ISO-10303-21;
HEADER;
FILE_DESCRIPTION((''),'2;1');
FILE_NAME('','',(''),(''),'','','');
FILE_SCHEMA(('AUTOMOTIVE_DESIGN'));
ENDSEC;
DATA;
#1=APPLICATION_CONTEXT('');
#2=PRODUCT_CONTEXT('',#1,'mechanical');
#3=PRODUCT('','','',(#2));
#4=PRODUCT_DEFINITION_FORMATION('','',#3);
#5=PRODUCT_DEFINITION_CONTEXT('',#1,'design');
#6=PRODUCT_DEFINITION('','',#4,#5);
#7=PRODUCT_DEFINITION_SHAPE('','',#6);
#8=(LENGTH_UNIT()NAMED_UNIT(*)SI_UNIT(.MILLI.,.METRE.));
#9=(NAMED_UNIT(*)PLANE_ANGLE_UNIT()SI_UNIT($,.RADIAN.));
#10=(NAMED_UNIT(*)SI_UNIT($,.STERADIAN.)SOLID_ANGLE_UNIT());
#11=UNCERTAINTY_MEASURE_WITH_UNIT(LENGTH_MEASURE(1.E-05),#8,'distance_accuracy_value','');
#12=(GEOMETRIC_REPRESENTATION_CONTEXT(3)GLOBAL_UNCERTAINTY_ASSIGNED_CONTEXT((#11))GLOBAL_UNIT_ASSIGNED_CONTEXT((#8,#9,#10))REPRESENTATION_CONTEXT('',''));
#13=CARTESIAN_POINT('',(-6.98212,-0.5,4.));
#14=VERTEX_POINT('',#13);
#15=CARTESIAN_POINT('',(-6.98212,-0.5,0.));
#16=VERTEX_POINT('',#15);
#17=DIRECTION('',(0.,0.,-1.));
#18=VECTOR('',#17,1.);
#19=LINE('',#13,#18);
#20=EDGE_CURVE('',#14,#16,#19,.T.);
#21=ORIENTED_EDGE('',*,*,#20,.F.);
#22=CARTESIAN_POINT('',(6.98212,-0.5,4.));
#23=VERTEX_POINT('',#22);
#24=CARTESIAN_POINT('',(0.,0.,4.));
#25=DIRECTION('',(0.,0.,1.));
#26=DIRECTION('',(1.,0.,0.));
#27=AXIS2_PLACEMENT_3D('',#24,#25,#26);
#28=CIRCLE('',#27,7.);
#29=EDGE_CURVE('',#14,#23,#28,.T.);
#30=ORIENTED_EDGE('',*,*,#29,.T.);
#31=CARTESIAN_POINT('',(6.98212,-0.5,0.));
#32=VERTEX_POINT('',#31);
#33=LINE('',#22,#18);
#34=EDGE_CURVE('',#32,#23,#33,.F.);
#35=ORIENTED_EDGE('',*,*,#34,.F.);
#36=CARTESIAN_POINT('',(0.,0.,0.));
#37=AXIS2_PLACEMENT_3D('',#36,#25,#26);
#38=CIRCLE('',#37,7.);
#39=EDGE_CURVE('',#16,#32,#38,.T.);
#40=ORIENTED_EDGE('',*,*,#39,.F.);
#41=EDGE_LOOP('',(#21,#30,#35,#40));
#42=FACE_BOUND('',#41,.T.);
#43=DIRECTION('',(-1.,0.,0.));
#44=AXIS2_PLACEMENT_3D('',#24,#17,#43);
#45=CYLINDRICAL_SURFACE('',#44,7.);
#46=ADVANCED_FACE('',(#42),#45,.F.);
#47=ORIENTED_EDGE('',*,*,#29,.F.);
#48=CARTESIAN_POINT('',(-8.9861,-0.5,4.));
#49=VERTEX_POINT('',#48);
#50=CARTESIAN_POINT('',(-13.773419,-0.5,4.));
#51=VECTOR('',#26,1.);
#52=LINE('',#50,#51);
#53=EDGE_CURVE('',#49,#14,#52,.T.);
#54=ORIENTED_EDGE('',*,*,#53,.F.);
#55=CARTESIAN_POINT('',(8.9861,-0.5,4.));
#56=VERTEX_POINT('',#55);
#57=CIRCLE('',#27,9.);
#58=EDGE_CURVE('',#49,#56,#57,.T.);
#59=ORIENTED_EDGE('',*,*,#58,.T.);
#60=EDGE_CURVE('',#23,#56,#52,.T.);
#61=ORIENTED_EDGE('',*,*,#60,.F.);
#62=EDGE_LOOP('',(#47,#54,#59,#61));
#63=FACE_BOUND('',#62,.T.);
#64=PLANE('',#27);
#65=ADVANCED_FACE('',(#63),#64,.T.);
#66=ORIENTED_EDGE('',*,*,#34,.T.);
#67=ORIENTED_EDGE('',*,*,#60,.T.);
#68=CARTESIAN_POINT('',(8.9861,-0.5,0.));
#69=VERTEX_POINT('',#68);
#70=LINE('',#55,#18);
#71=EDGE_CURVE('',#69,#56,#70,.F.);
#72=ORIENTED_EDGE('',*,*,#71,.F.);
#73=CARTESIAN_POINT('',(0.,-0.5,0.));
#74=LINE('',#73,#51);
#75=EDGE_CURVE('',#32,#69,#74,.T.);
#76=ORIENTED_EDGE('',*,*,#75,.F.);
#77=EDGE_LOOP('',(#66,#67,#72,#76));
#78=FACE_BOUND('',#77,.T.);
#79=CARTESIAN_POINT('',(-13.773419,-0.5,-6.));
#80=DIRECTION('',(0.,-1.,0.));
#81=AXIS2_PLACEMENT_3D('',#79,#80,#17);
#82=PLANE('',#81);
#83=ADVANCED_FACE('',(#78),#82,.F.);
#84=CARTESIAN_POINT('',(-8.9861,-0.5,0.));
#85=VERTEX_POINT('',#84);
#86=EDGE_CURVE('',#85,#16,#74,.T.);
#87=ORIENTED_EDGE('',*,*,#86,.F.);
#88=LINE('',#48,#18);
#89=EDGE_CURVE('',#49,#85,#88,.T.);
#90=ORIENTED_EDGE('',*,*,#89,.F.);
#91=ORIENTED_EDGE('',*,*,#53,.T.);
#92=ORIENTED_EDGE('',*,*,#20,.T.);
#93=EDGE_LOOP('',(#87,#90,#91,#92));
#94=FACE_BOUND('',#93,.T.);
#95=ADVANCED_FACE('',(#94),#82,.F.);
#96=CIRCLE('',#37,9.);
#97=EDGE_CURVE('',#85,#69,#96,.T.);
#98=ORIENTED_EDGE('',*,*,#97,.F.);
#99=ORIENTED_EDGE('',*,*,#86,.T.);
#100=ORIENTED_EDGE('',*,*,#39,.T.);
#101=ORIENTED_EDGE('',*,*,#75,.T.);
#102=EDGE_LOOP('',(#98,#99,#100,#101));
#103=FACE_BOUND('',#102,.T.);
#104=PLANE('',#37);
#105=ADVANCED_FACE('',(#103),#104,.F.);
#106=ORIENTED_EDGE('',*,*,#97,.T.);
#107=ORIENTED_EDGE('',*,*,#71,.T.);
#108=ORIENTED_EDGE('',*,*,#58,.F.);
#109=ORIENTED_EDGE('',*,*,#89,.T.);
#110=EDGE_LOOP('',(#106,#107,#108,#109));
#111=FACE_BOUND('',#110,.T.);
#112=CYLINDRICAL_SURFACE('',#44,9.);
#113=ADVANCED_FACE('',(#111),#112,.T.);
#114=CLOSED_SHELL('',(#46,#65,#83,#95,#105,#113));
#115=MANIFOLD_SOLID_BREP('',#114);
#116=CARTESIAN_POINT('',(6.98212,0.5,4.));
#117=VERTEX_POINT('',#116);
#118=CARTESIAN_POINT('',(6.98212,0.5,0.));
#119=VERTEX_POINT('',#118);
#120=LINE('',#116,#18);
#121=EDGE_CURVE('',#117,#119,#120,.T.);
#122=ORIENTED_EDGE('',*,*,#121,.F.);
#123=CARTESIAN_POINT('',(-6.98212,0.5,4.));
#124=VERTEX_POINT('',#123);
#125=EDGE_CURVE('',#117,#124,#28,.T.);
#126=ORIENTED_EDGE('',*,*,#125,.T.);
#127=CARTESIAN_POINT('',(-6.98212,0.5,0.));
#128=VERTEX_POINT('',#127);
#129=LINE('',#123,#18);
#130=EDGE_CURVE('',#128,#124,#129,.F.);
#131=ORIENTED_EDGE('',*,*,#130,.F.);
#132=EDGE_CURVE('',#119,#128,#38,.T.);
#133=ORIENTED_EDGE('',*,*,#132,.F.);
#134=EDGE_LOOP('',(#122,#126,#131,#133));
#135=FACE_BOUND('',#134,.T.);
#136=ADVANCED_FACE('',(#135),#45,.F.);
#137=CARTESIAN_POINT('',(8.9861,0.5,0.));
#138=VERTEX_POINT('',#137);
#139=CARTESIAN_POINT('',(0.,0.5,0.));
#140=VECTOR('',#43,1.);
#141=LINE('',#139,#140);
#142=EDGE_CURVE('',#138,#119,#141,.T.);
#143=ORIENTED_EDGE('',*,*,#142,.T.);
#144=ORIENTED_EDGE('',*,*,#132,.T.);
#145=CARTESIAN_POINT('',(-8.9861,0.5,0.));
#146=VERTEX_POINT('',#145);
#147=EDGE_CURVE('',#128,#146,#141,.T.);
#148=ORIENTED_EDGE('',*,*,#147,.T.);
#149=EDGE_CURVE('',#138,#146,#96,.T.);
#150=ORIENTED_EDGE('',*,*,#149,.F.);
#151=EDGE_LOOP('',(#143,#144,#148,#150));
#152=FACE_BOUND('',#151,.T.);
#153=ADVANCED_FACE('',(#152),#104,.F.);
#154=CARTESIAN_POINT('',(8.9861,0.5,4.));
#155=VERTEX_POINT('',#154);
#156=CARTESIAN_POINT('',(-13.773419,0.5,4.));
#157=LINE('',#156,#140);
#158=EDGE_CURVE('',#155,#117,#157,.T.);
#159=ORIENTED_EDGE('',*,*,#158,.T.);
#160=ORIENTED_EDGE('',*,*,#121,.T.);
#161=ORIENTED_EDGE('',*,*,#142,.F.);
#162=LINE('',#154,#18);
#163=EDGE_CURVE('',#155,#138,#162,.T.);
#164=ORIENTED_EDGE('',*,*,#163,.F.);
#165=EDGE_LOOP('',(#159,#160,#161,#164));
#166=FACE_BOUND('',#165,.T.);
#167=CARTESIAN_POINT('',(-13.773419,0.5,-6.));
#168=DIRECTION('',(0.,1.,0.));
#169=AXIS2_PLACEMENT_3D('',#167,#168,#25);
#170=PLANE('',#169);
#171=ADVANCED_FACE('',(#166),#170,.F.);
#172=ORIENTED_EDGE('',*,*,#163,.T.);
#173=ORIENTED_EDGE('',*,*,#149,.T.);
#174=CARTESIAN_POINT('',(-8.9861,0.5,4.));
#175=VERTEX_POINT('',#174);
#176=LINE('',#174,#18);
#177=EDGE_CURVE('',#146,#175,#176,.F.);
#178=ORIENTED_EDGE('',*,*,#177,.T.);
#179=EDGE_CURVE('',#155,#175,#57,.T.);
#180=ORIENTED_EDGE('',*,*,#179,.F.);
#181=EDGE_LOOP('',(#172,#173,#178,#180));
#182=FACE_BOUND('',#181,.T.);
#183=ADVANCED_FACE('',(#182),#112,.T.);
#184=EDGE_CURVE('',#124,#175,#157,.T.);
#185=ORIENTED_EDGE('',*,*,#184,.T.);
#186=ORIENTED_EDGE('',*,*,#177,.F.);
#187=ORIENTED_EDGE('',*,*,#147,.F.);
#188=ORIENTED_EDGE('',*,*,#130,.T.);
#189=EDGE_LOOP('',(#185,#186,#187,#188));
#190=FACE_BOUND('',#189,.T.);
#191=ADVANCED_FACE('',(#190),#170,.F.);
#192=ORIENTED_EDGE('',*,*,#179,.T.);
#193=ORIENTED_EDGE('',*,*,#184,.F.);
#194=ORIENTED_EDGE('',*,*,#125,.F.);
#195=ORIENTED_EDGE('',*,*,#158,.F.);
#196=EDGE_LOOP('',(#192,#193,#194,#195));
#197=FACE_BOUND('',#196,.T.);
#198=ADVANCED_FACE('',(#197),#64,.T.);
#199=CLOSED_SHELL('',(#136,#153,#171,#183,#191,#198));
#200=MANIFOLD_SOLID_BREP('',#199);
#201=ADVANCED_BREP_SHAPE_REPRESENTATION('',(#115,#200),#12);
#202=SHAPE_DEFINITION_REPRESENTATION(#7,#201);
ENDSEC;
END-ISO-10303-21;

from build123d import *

# Parameters (mm, degrees)
SKIZZE1_R                       = 9
SKIZZE1_R_2                     = 7
AUFSATZ_LINEAR_AUSTRAGEN1_DEPTH = 4
SKIZZE2_W                       = 27.54683789
SKIZZE2_H                       = 1
SCHNITT_LINEAR_AUSTRAGEN1_DEPTH = 10


with BuildPart() as part:
    # Skizze1 → Aufsatz-Linear austragen1 (new body)
    with BuildSketch(Plane.XY):
        Circle(SKIZZE1_R)
        Circle(SKIZZE1_R_2, mode=Mode.SUBTRACT)
    extrude(amount=AUFSATZ_LINEAR_AUSTRAGEN1_DEPTH)

    # Skizze2 → Schnitt-Linear austragen1 (cut)
    with BuildSketch(Plane.XY.offset(4)):
        Rectangle(SKIZZE2_W, SKIZZE2_H)
    extrude(amount=-SCHNITT_LINEAR_AUSTRAGEN1_DEPTH, mode=Mode.SUBTRACT)


with BuildPart() as schnitt_linear_austragen1_piece_1:
    # of the separate pieces the step leaves, piece 1, a body of its own (schnitt_linear_austragen1_pieces)
    add(part.part.solids().sort_by_distance((-8.986100378, -0.5, 0))[0])


with BuildPart() as schnitt_linear_austragen1_piece_2:
    # of the separate pieces the step leaves, piece 2, a body of its own (schnitt_linear_austragen1_pieces)
    add(part.part.solids().sort_by_distance((8.986100378, 0.5, 0))[0])


solid = Compound([schnitt_linear_austragen1_piece_1.part, schnitt_linear_austragen1_piece_2.part])
